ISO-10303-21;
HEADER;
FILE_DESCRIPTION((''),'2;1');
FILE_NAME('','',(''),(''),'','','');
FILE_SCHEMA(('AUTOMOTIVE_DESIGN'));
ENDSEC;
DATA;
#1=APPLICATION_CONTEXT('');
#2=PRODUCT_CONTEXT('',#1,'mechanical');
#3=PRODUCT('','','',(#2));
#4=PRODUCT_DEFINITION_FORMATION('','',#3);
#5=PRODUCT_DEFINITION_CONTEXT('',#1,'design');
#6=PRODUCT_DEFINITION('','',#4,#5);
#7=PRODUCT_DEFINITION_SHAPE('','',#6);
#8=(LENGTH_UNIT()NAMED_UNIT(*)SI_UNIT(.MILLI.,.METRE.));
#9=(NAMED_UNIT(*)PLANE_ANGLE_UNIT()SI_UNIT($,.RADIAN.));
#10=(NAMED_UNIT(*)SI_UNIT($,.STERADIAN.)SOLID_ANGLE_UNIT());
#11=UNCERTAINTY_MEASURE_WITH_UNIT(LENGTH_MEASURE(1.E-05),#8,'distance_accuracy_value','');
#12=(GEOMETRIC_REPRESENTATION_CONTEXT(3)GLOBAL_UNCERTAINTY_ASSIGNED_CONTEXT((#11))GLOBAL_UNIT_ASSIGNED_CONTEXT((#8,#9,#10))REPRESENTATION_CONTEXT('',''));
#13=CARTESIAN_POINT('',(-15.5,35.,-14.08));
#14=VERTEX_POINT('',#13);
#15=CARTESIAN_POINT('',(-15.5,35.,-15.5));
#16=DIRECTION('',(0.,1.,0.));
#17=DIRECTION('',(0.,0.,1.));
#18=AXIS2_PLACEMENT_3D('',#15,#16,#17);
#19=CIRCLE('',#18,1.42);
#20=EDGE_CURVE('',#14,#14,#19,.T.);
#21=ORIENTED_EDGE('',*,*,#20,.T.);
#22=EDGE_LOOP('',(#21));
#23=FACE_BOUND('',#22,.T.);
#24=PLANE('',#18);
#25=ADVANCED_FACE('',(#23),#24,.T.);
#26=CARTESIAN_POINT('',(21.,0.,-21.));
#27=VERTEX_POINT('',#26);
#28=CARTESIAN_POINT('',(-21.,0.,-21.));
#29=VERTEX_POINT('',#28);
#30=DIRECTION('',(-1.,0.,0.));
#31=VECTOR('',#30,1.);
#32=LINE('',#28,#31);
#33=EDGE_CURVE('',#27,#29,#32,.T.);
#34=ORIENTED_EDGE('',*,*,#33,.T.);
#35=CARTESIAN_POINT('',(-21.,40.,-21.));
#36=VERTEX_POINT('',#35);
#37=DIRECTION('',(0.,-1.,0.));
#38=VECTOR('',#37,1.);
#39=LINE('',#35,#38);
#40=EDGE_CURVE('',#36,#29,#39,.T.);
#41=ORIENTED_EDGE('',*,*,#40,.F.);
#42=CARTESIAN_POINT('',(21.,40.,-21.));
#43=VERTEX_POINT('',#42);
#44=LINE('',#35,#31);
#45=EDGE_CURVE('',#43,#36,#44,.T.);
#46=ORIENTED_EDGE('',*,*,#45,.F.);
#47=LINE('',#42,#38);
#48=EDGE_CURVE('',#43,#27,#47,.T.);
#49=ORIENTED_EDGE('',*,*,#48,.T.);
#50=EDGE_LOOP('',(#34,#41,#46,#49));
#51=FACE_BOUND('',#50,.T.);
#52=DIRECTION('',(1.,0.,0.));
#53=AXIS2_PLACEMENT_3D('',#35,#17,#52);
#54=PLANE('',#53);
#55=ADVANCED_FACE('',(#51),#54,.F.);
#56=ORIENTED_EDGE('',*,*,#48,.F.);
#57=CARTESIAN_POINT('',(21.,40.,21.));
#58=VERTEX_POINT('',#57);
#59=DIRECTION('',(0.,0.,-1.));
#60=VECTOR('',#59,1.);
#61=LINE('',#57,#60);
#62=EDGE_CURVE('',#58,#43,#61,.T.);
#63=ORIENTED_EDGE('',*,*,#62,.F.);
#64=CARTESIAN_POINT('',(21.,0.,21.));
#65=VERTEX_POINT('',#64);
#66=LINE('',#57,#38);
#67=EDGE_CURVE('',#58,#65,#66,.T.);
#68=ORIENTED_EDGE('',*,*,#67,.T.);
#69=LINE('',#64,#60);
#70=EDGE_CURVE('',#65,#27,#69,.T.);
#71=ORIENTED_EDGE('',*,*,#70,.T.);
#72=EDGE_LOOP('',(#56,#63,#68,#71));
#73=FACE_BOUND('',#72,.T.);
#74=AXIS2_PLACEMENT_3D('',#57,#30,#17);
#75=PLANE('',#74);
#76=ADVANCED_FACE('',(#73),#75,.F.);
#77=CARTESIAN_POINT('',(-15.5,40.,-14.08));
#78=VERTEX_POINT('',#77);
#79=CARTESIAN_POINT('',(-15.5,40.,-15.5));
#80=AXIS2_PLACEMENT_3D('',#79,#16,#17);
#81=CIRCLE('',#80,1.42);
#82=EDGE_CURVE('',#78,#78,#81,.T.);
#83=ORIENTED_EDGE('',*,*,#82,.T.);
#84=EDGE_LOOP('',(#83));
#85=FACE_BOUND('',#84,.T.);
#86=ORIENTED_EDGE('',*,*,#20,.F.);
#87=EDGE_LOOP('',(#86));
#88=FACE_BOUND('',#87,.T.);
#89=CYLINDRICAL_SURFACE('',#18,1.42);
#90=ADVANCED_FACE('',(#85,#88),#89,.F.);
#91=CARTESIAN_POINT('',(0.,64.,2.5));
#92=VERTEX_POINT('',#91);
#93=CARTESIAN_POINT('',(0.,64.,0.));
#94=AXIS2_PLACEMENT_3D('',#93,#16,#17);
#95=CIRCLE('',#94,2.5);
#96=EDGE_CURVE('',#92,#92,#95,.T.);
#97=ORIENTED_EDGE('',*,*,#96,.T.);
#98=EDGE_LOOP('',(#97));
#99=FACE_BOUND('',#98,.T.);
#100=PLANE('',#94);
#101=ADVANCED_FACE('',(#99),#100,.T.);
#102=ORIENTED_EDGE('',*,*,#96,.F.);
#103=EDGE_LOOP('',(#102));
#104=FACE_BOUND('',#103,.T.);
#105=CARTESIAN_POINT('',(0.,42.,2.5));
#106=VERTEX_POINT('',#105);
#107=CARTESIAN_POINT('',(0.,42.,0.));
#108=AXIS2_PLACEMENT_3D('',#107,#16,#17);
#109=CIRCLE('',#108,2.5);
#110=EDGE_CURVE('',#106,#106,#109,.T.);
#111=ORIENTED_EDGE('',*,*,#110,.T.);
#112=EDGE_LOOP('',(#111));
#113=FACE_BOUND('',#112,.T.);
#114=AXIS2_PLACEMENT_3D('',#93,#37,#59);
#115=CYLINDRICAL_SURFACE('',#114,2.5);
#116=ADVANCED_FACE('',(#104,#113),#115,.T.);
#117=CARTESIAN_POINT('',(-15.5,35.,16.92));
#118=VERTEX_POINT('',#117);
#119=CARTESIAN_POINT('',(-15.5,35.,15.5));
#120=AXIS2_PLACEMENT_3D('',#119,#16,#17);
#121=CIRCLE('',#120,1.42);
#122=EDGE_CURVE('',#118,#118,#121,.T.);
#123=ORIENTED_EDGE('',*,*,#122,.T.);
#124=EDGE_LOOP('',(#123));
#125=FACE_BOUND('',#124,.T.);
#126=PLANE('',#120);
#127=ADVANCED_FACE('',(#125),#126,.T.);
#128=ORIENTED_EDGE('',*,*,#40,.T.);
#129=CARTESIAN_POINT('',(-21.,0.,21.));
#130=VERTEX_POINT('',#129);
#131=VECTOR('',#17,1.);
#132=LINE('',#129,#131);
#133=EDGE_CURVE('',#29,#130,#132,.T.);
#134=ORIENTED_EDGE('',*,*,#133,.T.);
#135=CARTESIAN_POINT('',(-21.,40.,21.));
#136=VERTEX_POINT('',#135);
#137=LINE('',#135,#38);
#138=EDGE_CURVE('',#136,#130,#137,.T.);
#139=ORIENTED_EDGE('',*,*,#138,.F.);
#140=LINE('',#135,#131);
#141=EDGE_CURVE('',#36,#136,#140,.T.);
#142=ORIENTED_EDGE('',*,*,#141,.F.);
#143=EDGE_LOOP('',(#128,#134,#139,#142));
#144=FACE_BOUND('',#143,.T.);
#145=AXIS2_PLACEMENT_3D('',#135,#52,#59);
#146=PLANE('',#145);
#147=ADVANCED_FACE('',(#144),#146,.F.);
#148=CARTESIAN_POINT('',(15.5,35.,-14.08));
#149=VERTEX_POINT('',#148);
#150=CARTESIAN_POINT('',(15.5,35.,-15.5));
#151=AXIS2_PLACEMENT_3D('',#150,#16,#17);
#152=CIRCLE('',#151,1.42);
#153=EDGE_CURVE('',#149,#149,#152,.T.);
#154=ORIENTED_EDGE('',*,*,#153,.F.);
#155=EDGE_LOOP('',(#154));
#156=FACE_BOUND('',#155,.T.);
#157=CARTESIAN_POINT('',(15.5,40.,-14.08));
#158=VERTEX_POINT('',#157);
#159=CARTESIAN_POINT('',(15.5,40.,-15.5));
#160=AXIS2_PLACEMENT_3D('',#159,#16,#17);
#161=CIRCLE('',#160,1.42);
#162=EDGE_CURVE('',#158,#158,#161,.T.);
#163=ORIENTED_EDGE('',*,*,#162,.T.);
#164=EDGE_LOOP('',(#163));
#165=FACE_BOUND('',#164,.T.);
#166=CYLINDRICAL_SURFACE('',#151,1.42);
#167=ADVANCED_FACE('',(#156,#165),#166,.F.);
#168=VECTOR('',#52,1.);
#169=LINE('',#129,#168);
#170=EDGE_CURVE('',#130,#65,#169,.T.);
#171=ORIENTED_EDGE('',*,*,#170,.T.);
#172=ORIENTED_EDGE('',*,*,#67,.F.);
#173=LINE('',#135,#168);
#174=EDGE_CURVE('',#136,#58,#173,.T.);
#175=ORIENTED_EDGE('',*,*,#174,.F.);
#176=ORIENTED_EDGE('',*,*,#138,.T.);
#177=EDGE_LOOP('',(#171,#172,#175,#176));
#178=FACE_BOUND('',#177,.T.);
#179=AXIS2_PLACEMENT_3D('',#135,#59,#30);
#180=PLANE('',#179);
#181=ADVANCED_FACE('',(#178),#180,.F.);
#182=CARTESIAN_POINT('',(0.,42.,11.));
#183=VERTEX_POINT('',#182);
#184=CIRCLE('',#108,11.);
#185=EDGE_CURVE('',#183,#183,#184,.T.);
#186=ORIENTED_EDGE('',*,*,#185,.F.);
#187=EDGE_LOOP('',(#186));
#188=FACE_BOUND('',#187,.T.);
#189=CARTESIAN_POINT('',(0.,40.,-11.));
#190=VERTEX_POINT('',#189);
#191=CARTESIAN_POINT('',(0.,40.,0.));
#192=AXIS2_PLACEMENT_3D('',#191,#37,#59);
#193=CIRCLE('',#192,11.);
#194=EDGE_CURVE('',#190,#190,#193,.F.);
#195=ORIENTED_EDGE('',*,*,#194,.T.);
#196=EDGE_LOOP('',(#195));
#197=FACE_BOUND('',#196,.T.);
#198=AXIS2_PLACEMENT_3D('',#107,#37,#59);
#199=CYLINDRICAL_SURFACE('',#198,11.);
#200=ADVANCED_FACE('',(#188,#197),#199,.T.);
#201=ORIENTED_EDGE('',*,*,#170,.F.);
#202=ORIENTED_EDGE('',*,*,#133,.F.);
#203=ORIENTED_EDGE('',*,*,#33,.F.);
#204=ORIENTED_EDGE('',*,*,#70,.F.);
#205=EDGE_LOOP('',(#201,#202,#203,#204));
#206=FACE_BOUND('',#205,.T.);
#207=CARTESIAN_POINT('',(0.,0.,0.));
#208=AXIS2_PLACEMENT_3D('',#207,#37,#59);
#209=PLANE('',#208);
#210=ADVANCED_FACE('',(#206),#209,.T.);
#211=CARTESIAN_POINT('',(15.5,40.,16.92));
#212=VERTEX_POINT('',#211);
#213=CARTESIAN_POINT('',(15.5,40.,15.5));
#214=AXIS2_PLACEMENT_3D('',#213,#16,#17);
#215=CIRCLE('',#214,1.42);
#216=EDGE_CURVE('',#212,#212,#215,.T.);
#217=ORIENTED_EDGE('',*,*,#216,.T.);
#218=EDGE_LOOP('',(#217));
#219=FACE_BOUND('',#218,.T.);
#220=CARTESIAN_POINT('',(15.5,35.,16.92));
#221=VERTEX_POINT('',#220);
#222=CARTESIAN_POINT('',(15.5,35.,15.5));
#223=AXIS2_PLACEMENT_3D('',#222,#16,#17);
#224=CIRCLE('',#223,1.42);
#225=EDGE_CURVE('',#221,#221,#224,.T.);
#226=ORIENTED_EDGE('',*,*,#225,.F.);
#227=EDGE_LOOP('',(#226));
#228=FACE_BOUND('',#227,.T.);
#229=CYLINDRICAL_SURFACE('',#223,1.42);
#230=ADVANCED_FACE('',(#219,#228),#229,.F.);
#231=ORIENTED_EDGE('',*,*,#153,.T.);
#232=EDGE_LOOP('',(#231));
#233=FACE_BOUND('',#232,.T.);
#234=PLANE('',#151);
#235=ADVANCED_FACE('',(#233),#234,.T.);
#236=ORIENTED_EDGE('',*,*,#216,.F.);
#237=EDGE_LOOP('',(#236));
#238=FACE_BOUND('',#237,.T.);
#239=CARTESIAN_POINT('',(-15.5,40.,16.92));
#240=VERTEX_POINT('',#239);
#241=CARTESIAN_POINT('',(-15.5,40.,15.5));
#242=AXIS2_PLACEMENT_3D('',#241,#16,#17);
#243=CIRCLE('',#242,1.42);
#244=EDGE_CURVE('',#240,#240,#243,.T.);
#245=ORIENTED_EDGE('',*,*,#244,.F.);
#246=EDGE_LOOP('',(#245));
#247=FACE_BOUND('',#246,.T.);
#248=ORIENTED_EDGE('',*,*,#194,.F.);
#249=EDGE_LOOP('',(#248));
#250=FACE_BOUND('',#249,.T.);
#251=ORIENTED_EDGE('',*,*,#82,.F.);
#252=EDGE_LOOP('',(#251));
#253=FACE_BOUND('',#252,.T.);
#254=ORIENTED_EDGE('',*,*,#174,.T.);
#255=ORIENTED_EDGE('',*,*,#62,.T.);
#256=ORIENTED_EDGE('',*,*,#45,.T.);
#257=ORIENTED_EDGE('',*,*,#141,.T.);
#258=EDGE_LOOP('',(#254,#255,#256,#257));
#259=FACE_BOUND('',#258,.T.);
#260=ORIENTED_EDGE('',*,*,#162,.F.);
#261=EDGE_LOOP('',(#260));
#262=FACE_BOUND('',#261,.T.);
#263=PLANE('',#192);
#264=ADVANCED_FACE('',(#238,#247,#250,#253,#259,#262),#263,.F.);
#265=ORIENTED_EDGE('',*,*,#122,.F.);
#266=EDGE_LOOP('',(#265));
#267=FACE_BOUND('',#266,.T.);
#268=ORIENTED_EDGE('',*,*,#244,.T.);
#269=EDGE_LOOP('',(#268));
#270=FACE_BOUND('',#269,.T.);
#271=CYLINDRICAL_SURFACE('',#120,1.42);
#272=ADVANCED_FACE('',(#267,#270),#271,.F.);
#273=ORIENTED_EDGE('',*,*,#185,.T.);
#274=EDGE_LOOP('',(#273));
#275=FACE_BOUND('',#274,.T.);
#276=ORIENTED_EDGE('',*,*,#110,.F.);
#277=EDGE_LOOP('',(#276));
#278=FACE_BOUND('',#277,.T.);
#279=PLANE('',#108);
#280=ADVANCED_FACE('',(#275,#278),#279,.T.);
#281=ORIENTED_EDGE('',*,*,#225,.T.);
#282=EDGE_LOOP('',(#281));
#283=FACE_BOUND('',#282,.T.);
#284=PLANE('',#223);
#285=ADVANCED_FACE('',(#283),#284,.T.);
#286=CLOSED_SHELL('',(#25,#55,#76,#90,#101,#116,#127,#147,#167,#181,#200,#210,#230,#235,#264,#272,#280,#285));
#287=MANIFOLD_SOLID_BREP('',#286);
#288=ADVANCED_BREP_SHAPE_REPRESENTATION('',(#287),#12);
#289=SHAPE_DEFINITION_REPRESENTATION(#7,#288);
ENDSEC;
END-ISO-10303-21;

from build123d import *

# Parameters (mm, degrees)
SKETCH1_W           = 42
SKETCH1_H           = 42
BOSS_EXTRUDE1_DEPTH = 40
SKETCH2_R           = 11
BOSS_EXTRUDE2_DEPTH = 2
SKETCH3_R           = 2.5
BOSS_EXTRUDE3_DEPTH = 22
SKETCH4_R           = 1.42
CUT_EXTRUDE1_DEPTH  = 5


with BuildPart() as part:
    # Sketch1 → Boss-Extrude1 (new body)
    with BuildSketch(Plane(origin=(0, 0, 0), x_dir=(1, 0, 0), z_dir=(0, 1, 0))):
        Rectangle(SKETCH1_W, SKETCH1_H)
    extrude(amount=BOSS_EXTRUDE1_DEPTH)

    # Sketch2 → Boss-Extrude2 (add)
    with BuildSketch(Plane(origin=(0, 40, 0), x_dir=(1, 0, 0), z_dir=(0, 1, 0))):
        with Locations(Location((0, 0, 0), (0, 0, 90))):
            Circle(SKETCH2_R)
    extrude(amount=BOSS_EXTRUDE2_DEPTH)

    # Sketch3 → Boss-Extrude3 (add)
    with BuildSketch(Plane(origin=(0, 42, 0), x_dir=(1, 0, 0), z_dir=(0, 1, 0))):
        with Locations(Location((0, 0, 0), (0, 0, 270))):
            Circle(SKETCH3_R)
    extrude(amount=BOSS_EXTRUDE3_DEPTH)

    # Sketch4 → Cut-Extrude1 (cut)
    with BuildSketch(Plane(origin=(0, 40, 0), x_dir=(1, 0, 0), z_dir=(0, 1, 0))):
        with Locations(Location((-15.5, 15.5, 0), (0, 0, 270))):
            Circle(SKETCH4_R)
        with Locations(Location((15.5, 15.5, 0), (0, 0, 270))):
            Circle(SKETCH4_R)
        with Locations(Location((15.5, -15.5, 0), (0, 0, 270))):
            Circle(SKETCH4_R)
        with Locations(Location((-15.5, -15.5, 0), (0, 0, 270))):
            Circle(SKETCH4_R)
    extrude(amount=-CUT_EXTRUDE1_DEPTH, mode=Mode.SUBTRACT)


solid = part.part
